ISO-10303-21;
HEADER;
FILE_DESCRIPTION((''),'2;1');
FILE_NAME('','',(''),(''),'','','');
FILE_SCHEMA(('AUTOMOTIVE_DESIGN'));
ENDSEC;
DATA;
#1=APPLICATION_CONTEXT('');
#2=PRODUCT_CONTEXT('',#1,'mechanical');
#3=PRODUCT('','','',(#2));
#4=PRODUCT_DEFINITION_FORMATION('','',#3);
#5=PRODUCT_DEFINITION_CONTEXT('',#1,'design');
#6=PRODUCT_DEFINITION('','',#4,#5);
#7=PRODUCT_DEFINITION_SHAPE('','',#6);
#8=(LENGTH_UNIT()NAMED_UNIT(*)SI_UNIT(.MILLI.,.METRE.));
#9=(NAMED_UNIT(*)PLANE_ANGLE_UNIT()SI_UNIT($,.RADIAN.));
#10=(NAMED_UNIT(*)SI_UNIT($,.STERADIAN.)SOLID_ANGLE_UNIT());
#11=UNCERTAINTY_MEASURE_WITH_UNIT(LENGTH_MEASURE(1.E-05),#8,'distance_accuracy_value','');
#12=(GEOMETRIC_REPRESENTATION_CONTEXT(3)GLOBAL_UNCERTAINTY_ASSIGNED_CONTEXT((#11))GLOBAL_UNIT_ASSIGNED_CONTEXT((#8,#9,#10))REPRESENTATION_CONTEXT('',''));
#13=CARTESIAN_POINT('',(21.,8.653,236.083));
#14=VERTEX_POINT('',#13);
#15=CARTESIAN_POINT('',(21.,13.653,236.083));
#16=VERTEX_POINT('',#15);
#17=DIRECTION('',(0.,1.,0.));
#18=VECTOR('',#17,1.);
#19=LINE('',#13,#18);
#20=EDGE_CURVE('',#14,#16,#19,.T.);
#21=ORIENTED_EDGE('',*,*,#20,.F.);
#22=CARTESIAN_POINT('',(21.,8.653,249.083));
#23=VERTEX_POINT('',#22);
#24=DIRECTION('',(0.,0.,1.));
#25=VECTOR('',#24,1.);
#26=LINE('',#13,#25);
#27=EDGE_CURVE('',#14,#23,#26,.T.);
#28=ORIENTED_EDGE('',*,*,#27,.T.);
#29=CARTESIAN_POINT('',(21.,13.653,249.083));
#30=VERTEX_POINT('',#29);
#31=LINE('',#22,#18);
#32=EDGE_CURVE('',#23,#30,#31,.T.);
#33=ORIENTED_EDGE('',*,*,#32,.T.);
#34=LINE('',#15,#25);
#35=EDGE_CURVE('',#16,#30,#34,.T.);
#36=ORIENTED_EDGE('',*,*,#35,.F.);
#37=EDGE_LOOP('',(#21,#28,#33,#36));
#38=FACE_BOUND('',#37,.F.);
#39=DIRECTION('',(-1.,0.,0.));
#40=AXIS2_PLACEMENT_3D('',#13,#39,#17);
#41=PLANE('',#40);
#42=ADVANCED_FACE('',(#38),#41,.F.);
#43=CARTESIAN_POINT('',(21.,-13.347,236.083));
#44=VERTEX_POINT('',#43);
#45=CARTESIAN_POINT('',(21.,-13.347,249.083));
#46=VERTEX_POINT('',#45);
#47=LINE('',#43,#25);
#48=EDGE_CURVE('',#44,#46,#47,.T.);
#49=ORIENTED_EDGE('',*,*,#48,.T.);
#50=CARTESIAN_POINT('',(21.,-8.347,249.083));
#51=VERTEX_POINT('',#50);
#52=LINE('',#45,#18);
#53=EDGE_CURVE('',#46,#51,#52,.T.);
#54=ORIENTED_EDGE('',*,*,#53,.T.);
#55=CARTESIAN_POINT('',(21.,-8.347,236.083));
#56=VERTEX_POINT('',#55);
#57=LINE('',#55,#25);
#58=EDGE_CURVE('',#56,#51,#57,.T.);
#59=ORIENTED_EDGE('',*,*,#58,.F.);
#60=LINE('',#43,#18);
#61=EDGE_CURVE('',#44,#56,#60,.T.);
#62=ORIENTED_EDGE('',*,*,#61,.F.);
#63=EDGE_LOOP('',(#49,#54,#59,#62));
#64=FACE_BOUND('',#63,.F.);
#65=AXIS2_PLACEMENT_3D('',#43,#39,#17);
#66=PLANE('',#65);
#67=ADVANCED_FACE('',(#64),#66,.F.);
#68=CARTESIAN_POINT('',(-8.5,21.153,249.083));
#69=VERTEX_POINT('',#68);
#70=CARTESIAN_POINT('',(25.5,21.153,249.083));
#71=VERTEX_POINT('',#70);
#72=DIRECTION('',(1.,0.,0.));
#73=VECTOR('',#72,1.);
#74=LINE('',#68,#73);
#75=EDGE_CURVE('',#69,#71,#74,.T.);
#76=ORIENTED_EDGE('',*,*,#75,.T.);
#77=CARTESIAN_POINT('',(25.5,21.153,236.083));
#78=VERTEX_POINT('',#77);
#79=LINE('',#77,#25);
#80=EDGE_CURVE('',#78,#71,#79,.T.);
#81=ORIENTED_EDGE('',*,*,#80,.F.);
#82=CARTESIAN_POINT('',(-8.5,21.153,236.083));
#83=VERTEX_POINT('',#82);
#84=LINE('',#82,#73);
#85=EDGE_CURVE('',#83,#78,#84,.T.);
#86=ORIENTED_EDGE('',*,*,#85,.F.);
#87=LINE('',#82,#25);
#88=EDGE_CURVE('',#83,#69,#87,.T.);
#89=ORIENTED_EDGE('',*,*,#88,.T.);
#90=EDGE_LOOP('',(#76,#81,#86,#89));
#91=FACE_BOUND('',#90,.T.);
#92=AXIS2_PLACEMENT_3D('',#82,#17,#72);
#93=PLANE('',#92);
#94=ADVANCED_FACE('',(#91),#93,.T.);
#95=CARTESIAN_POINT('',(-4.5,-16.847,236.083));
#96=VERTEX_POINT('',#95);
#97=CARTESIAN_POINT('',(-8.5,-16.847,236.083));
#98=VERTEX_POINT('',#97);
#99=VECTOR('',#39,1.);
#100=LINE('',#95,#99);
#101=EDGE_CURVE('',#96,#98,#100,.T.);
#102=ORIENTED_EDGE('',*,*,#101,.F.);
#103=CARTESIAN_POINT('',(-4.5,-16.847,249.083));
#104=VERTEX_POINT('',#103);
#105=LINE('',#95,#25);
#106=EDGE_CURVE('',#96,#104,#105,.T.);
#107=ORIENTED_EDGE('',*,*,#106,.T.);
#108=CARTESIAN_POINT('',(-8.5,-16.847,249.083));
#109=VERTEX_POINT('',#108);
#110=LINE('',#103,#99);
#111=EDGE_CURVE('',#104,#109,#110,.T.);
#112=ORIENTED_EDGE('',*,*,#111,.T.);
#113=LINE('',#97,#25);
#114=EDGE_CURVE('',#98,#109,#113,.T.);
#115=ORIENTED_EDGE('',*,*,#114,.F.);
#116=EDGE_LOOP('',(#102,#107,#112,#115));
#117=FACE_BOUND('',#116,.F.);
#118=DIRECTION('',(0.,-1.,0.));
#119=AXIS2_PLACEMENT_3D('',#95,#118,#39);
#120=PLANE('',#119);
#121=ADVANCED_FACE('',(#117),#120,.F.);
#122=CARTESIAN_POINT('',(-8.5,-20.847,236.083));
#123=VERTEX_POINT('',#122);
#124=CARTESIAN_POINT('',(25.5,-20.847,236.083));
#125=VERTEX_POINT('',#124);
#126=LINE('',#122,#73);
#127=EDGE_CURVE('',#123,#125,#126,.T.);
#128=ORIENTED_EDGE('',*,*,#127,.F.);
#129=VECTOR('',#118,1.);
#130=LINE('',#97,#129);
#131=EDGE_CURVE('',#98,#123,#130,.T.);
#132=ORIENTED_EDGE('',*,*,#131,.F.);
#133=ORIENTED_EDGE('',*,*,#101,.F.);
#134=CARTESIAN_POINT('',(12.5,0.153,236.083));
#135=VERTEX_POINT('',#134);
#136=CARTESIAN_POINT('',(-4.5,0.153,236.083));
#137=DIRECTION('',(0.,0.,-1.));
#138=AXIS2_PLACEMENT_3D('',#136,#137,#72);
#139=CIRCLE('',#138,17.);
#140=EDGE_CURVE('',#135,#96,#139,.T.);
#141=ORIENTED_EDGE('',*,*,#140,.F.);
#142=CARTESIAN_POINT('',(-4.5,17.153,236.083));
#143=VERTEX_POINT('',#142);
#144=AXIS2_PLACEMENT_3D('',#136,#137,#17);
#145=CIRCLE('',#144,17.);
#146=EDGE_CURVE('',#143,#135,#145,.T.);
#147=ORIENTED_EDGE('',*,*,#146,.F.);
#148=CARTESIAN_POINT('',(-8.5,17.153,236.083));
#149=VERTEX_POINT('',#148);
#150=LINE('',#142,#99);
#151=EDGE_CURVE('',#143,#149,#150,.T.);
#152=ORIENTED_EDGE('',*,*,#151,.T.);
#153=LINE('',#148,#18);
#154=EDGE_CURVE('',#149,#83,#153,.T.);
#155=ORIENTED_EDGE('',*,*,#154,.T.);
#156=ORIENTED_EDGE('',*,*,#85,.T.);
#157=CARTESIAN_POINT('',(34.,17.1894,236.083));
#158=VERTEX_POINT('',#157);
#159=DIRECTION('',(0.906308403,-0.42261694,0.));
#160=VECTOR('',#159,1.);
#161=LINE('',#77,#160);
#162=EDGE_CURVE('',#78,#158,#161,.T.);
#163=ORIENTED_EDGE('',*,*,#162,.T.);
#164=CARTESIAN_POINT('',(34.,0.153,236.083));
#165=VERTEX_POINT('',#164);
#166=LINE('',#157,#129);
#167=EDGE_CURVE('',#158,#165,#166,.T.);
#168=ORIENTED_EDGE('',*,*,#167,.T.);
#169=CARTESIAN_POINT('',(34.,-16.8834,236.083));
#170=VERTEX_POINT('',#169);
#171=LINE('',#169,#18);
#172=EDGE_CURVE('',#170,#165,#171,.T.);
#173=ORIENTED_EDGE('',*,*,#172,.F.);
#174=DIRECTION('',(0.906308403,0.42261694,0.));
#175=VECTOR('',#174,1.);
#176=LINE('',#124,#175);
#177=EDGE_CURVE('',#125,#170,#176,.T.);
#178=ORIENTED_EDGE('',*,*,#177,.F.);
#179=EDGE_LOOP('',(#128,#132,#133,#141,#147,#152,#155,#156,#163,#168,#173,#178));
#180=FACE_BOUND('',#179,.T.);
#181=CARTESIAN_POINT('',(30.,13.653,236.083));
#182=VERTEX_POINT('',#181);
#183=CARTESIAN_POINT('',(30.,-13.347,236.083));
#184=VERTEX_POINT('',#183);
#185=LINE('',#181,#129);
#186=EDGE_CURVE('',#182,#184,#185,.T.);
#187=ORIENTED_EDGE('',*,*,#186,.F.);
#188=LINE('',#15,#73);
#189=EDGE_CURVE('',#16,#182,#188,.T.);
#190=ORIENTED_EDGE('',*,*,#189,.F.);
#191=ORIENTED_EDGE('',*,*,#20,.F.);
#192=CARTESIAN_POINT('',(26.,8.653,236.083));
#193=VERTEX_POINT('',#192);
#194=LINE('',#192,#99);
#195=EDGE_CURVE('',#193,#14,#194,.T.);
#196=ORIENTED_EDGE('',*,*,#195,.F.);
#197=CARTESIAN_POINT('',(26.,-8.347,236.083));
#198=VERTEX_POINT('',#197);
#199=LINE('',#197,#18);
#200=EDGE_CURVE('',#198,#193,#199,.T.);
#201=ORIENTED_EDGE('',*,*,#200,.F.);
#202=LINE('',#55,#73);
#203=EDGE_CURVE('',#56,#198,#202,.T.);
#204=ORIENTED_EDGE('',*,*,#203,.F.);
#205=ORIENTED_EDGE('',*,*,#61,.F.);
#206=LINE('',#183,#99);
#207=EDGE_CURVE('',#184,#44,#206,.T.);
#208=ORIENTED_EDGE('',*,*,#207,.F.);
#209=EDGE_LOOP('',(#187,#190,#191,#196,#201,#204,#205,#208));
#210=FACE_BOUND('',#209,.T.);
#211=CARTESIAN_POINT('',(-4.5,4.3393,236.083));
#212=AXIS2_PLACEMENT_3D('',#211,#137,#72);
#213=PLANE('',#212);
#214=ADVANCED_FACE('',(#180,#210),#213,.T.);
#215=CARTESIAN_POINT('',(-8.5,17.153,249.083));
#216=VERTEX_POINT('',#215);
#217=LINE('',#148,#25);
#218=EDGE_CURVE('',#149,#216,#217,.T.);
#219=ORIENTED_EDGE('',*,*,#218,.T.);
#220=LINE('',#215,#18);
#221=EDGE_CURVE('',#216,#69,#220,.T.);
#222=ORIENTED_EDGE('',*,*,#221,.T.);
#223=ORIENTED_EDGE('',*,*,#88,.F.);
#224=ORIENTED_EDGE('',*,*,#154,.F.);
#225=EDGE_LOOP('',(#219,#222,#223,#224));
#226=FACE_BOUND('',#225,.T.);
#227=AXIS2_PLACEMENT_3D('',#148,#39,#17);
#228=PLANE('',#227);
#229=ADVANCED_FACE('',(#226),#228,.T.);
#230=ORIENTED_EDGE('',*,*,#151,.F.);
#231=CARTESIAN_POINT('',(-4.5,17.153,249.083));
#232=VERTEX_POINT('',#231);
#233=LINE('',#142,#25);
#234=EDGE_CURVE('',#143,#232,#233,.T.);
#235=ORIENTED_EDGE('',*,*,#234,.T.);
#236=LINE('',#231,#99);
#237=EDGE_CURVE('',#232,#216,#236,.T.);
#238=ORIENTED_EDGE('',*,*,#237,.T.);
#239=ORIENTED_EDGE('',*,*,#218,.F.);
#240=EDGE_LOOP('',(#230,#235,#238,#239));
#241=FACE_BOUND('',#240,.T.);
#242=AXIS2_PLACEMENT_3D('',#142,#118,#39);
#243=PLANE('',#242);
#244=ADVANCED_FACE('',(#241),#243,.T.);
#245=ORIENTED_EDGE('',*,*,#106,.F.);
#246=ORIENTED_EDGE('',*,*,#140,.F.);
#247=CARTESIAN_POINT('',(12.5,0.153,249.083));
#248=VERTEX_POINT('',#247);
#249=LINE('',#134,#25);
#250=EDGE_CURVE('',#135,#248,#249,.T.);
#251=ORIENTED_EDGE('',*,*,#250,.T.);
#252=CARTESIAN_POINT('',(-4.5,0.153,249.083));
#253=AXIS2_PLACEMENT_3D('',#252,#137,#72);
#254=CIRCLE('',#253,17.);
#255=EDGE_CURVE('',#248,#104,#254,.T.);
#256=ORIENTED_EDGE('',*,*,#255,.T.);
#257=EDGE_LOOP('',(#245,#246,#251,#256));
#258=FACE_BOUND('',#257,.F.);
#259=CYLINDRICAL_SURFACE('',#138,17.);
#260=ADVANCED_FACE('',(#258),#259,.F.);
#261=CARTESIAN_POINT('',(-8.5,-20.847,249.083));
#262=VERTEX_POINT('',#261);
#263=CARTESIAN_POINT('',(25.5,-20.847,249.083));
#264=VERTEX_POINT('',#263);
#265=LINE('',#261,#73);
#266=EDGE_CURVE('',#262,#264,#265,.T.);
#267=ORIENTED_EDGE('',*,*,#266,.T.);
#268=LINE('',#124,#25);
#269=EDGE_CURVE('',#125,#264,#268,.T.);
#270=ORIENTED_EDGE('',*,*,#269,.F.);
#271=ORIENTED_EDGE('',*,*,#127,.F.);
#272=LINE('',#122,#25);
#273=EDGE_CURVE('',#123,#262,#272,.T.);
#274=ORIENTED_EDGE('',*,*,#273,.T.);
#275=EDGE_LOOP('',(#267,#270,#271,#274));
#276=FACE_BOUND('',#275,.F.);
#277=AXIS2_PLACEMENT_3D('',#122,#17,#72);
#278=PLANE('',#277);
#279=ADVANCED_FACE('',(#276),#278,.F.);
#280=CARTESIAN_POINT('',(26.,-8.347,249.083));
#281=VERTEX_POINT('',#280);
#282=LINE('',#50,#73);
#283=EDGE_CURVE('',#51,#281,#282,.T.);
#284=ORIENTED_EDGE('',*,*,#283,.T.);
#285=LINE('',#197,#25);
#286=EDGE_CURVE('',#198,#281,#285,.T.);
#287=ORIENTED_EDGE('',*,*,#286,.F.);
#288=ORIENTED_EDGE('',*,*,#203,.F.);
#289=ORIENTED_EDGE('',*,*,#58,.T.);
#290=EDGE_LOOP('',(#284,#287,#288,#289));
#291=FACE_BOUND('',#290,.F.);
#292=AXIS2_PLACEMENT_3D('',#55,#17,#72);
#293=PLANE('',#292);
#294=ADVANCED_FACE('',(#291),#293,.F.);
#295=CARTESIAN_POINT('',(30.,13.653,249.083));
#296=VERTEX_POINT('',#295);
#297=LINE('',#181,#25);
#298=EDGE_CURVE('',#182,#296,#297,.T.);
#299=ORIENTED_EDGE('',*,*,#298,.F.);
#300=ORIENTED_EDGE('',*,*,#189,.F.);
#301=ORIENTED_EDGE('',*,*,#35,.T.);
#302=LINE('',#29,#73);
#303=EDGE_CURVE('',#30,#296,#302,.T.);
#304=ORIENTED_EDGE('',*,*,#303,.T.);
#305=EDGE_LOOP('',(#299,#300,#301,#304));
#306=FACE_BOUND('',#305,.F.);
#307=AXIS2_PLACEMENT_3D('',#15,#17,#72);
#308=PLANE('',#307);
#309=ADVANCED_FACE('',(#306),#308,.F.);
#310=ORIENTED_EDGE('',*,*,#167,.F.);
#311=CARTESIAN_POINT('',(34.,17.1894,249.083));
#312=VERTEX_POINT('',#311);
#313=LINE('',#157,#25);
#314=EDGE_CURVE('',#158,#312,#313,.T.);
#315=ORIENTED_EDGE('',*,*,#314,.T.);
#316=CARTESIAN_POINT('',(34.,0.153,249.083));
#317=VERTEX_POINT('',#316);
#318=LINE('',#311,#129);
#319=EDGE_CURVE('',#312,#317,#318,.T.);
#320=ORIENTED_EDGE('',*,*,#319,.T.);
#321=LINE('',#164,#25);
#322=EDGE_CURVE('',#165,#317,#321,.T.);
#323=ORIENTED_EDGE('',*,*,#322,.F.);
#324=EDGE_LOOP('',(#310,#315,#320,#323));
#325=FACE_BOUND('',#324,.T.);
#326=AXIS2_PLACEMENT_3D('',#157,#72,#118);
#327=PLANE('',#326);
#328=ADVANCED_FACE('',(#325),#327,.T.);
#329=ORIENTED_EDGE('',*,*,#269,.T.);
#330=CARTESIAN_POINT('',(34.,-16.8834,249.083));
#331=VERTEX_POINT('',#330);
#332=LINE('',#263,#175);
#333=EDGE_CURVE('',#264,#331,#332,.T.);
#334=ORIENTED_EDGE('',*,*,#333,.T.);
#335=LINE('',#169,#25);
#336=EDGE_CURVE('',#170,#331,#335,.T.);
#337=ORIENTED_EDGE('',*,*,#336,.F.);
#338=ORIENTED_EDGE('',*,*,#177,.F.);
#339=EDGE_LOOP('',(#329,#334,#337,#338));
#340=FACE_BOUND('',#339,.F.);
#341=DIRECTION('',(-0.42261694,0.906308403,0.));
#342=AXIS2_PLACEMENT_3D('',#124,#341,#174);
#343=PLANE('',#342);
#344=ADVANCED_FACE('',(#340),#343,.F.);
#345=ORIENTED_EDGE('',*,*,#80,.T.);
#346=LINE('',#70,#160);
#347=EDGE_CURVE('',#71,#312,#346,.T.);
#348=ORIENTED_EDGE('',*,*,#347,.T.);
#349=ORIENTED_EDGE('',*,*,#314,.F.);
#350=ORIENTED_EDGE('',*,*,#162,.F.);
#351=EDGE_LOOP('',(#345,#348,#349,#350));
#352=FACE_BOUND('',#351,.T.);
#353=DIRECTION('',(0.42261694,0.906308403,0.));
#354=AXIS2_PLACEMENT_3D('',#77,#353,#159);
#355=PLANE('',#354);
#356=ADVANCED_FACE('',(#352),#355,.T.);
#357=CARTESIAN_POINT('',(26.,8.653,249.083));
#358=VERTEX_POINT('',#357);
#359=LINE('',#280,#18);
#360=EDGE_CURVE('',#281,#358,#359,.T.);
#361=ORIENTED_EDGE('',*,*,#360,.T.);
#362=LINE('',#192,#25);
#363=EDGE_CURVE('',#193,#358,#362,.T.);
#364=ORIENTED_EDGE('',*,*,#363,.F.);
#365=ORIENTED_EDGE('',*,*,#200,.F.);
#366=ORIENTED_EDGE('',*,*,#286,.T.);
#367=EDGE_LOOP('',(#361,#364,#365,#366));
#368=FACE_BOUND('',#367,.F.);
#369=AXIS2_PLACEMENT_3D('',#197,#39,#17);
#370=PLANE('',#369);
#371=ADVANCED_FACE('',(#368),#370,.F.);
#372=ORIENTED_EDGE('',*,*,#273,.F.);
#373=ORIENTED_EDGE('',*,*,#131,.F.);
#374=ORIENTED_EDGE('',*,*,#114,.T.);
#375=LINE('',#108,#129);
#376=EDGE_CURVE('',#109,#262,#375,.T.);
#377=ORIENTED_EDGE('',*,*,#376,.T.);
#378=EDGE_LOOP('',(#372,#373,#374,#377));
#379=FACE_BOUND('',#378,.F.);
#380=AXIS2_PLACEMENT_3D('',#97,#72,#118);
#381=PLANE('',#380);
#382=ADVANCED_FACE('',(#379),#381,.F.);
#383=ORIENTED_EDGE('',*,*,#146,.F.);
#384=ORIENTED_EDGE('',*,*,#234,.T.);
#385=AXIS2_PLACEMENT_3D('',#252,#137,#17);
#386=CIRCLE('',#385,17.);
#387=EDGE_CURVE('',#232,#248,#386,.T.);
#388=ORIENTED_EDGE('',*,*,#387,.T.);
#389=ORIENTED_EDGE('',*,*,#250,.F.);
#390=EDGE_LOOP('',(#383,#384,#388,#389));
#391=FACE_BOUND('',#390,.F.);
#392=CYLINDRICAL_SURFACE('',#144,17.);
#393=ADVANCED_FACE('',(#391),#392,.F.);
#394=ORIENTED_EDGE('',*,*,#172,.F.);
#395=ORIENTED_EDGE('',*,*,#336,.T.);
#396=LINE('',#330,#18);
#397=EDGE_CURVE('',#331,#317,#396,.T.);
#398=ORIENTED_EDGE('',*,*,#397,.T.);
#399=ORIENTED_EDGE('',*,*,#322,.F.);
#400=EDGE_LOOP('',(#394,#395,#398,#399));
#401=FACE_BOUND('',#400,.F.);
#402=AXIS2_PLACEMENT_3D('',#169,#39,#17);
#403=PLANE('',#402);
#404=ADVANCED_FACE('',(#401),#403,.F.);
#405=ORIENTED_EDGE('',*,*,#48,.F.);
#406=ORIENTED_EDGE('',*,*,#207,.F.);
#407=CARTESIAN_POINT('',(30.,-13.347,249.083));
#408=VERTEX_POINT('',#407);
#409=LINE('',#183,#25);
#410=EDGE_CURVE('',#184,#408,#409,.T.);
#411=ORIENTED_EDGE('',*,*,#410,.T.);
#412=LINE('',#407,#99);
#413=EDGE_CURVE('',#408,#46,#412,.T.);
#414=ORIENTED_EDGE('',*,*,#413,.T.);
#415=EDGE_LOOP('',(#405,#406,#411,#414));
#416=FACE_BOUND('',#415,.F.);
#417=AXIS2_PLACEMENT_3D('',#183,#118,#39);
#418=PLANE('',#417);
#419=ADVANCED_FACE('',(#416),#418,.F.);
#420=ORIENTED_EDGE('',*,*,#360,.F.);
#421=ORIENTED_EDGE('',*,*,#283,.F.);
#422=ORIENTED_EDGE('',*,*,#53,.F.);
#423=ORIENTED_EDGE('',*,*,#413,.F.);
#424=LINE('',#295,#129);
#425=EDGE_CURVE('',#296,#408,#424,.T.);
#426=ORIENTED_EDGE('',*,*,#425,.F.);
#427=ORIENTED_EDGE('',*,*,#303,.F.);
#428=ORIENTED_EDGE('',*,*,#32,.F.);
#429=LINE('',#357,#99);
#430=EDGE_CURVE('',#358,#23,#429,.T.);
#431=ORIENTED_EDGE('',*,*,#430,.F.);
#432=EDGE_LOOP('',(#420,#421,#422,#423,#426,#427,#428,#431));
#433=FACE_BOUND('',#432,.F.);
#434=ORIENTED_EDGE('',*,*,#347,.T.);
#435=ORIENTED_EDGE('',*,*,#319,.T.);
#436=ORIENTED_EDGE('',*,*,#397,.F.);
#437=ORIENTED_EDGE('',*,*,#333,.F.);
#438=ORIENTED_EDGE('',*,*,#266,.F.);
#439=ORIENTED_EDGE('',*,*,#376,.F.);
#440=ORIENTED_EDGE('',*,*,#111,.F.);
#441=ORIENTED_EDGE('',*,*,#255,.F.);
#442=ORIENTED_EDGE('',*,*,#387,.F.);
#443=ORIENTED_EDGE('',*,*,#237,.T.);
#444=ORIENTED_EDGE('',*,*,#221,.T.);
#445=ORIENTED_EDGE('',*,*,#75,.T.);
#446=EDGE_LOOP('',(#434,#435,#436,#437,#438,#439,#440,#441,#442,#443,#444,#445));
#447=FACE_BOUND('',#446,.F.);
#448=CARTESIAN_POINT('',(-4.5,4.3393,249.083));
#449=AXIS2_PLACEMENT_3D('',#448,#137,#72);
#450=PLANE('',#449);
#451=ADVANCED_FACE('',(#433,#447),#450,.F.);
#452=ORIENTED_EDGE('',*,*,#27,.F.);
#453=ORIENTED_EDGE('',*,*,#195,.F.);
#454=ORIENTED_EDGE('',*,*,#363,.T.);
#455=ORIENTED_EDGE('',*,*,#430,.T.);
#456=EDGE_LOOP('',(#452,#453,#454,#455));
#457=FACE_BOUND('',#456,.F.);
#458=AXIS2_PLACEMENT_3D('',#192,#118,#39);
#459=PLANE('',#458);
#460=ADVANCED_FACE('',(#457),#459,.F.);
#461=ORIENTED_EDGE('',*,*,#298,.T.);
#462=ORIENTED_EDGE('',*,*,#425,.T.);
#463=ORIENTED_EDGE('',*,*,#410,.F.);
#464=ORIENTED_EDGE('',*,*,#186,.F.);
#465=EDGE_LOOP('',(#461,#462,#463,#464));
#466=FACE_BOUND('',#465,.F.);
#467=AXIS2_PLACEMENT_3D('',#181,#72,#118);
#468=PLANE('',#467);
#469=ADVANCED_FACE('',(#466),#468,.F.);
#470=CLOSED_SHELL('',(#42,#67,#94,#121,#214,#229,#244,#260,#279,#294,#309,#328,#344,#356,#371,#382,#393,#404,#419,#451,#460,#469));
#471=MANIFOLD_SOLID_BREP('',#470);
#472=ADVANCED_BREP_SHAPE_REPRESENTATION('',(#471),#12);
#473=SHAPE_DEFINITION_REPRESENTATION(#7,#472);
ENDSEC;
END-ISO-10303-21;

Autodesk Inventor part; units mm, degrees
ref_plane "YZ Plane" through (0, 0, 0) normal (1, 0, 0) x (0, 1, 0)
ref_plane "XZ Plane" through (0, 0, 0) normal (0, 1, 0) x (-1, 0, 0)
ref_plane "XY Plane" through (0, 0, 0) normal (0, 0, 1) x (1, 0, 0)
ref_plane "Work Plane1" through (-4.5, 4.3393, 236.083) normal (0, 0, -1) x (1, 0, 0)
sketch "Sketch1" plane through (-4.5, 4.3393, 236.083) normal (0, 0, -1) x (1, 0, 0)
  circle A0 centre (0, 4.1863) radius 17 construction
  line L0 (34.5, -9.3137) -> (34.5, 17.6863) projected
  line L1 (34.5, 17.6863) -> (25.5, 17.6863) projected
  line L2 (25.5, 17.6863) -> (25.5, 12.6863) projected
  line L3 (25.5, 12.6863) -> (30.5, 12.6863) projected
  line L4 (30.5, 12.6863) -> (30.5, -4.3137) projected
  line L5 (30.5, -4.3137) -> (25.5, -4.3137) projected
  line L6 (25.5, -4.3137) -> (25.5, -9.3137) projected
  line L7 (25.5, -9.3137) -> (34.5, -9.3137) projected
  line L8 (0, -8.3452) -> (0, -17.0863) construction
  line L9 (0, -12.8137) -> (-4, -12.8137)
  line L10 (-4, -12.8137) -> (-4, -16.8137)
  line L11 (-4, -16.8137) -> (30, -16.8137)
  line L12 (30, -16.8137) -> (38.5, -12.8501)
  line L13 (38.5, -12.8501) -> (38.5, 4.1863)
  arc A1 (0, -12.8137) -> (17, 4.1863) centre (0, 4.1863) ccw
  line L14 (0, 4.1863) -> (38.5, 4.1863) construction
  line L15 (0, 21.1863) -> (-4, 21.1863)
  line L16 (-4, 21.1863) -> (-4, 25.1863)
  line L17 (-4, 25.1863) -> (30, 25.1863)
  line L18 (30, 25.1863) -> (38.5, 21.2227)
  line L19 (38.5, 21.2227) -> (38.5, 4.1863)
  arc A2 (17, 4.1863) -> (0, 21.1863) centre (0, 4.1863) ccw
  point P0 (4.5, 4.3393)
  point P1 (0, 25.4589)
  dimension "d0" = 4
  dimension "d1" = 4
  dimension "d2" = 4
  dimension "d3" = 115
  dimension "d4" = 8.5
extrude "Extrusion1" add sketch "Sketch1" against normal blind 13
properties part number "giunto_fondo_siringa"
